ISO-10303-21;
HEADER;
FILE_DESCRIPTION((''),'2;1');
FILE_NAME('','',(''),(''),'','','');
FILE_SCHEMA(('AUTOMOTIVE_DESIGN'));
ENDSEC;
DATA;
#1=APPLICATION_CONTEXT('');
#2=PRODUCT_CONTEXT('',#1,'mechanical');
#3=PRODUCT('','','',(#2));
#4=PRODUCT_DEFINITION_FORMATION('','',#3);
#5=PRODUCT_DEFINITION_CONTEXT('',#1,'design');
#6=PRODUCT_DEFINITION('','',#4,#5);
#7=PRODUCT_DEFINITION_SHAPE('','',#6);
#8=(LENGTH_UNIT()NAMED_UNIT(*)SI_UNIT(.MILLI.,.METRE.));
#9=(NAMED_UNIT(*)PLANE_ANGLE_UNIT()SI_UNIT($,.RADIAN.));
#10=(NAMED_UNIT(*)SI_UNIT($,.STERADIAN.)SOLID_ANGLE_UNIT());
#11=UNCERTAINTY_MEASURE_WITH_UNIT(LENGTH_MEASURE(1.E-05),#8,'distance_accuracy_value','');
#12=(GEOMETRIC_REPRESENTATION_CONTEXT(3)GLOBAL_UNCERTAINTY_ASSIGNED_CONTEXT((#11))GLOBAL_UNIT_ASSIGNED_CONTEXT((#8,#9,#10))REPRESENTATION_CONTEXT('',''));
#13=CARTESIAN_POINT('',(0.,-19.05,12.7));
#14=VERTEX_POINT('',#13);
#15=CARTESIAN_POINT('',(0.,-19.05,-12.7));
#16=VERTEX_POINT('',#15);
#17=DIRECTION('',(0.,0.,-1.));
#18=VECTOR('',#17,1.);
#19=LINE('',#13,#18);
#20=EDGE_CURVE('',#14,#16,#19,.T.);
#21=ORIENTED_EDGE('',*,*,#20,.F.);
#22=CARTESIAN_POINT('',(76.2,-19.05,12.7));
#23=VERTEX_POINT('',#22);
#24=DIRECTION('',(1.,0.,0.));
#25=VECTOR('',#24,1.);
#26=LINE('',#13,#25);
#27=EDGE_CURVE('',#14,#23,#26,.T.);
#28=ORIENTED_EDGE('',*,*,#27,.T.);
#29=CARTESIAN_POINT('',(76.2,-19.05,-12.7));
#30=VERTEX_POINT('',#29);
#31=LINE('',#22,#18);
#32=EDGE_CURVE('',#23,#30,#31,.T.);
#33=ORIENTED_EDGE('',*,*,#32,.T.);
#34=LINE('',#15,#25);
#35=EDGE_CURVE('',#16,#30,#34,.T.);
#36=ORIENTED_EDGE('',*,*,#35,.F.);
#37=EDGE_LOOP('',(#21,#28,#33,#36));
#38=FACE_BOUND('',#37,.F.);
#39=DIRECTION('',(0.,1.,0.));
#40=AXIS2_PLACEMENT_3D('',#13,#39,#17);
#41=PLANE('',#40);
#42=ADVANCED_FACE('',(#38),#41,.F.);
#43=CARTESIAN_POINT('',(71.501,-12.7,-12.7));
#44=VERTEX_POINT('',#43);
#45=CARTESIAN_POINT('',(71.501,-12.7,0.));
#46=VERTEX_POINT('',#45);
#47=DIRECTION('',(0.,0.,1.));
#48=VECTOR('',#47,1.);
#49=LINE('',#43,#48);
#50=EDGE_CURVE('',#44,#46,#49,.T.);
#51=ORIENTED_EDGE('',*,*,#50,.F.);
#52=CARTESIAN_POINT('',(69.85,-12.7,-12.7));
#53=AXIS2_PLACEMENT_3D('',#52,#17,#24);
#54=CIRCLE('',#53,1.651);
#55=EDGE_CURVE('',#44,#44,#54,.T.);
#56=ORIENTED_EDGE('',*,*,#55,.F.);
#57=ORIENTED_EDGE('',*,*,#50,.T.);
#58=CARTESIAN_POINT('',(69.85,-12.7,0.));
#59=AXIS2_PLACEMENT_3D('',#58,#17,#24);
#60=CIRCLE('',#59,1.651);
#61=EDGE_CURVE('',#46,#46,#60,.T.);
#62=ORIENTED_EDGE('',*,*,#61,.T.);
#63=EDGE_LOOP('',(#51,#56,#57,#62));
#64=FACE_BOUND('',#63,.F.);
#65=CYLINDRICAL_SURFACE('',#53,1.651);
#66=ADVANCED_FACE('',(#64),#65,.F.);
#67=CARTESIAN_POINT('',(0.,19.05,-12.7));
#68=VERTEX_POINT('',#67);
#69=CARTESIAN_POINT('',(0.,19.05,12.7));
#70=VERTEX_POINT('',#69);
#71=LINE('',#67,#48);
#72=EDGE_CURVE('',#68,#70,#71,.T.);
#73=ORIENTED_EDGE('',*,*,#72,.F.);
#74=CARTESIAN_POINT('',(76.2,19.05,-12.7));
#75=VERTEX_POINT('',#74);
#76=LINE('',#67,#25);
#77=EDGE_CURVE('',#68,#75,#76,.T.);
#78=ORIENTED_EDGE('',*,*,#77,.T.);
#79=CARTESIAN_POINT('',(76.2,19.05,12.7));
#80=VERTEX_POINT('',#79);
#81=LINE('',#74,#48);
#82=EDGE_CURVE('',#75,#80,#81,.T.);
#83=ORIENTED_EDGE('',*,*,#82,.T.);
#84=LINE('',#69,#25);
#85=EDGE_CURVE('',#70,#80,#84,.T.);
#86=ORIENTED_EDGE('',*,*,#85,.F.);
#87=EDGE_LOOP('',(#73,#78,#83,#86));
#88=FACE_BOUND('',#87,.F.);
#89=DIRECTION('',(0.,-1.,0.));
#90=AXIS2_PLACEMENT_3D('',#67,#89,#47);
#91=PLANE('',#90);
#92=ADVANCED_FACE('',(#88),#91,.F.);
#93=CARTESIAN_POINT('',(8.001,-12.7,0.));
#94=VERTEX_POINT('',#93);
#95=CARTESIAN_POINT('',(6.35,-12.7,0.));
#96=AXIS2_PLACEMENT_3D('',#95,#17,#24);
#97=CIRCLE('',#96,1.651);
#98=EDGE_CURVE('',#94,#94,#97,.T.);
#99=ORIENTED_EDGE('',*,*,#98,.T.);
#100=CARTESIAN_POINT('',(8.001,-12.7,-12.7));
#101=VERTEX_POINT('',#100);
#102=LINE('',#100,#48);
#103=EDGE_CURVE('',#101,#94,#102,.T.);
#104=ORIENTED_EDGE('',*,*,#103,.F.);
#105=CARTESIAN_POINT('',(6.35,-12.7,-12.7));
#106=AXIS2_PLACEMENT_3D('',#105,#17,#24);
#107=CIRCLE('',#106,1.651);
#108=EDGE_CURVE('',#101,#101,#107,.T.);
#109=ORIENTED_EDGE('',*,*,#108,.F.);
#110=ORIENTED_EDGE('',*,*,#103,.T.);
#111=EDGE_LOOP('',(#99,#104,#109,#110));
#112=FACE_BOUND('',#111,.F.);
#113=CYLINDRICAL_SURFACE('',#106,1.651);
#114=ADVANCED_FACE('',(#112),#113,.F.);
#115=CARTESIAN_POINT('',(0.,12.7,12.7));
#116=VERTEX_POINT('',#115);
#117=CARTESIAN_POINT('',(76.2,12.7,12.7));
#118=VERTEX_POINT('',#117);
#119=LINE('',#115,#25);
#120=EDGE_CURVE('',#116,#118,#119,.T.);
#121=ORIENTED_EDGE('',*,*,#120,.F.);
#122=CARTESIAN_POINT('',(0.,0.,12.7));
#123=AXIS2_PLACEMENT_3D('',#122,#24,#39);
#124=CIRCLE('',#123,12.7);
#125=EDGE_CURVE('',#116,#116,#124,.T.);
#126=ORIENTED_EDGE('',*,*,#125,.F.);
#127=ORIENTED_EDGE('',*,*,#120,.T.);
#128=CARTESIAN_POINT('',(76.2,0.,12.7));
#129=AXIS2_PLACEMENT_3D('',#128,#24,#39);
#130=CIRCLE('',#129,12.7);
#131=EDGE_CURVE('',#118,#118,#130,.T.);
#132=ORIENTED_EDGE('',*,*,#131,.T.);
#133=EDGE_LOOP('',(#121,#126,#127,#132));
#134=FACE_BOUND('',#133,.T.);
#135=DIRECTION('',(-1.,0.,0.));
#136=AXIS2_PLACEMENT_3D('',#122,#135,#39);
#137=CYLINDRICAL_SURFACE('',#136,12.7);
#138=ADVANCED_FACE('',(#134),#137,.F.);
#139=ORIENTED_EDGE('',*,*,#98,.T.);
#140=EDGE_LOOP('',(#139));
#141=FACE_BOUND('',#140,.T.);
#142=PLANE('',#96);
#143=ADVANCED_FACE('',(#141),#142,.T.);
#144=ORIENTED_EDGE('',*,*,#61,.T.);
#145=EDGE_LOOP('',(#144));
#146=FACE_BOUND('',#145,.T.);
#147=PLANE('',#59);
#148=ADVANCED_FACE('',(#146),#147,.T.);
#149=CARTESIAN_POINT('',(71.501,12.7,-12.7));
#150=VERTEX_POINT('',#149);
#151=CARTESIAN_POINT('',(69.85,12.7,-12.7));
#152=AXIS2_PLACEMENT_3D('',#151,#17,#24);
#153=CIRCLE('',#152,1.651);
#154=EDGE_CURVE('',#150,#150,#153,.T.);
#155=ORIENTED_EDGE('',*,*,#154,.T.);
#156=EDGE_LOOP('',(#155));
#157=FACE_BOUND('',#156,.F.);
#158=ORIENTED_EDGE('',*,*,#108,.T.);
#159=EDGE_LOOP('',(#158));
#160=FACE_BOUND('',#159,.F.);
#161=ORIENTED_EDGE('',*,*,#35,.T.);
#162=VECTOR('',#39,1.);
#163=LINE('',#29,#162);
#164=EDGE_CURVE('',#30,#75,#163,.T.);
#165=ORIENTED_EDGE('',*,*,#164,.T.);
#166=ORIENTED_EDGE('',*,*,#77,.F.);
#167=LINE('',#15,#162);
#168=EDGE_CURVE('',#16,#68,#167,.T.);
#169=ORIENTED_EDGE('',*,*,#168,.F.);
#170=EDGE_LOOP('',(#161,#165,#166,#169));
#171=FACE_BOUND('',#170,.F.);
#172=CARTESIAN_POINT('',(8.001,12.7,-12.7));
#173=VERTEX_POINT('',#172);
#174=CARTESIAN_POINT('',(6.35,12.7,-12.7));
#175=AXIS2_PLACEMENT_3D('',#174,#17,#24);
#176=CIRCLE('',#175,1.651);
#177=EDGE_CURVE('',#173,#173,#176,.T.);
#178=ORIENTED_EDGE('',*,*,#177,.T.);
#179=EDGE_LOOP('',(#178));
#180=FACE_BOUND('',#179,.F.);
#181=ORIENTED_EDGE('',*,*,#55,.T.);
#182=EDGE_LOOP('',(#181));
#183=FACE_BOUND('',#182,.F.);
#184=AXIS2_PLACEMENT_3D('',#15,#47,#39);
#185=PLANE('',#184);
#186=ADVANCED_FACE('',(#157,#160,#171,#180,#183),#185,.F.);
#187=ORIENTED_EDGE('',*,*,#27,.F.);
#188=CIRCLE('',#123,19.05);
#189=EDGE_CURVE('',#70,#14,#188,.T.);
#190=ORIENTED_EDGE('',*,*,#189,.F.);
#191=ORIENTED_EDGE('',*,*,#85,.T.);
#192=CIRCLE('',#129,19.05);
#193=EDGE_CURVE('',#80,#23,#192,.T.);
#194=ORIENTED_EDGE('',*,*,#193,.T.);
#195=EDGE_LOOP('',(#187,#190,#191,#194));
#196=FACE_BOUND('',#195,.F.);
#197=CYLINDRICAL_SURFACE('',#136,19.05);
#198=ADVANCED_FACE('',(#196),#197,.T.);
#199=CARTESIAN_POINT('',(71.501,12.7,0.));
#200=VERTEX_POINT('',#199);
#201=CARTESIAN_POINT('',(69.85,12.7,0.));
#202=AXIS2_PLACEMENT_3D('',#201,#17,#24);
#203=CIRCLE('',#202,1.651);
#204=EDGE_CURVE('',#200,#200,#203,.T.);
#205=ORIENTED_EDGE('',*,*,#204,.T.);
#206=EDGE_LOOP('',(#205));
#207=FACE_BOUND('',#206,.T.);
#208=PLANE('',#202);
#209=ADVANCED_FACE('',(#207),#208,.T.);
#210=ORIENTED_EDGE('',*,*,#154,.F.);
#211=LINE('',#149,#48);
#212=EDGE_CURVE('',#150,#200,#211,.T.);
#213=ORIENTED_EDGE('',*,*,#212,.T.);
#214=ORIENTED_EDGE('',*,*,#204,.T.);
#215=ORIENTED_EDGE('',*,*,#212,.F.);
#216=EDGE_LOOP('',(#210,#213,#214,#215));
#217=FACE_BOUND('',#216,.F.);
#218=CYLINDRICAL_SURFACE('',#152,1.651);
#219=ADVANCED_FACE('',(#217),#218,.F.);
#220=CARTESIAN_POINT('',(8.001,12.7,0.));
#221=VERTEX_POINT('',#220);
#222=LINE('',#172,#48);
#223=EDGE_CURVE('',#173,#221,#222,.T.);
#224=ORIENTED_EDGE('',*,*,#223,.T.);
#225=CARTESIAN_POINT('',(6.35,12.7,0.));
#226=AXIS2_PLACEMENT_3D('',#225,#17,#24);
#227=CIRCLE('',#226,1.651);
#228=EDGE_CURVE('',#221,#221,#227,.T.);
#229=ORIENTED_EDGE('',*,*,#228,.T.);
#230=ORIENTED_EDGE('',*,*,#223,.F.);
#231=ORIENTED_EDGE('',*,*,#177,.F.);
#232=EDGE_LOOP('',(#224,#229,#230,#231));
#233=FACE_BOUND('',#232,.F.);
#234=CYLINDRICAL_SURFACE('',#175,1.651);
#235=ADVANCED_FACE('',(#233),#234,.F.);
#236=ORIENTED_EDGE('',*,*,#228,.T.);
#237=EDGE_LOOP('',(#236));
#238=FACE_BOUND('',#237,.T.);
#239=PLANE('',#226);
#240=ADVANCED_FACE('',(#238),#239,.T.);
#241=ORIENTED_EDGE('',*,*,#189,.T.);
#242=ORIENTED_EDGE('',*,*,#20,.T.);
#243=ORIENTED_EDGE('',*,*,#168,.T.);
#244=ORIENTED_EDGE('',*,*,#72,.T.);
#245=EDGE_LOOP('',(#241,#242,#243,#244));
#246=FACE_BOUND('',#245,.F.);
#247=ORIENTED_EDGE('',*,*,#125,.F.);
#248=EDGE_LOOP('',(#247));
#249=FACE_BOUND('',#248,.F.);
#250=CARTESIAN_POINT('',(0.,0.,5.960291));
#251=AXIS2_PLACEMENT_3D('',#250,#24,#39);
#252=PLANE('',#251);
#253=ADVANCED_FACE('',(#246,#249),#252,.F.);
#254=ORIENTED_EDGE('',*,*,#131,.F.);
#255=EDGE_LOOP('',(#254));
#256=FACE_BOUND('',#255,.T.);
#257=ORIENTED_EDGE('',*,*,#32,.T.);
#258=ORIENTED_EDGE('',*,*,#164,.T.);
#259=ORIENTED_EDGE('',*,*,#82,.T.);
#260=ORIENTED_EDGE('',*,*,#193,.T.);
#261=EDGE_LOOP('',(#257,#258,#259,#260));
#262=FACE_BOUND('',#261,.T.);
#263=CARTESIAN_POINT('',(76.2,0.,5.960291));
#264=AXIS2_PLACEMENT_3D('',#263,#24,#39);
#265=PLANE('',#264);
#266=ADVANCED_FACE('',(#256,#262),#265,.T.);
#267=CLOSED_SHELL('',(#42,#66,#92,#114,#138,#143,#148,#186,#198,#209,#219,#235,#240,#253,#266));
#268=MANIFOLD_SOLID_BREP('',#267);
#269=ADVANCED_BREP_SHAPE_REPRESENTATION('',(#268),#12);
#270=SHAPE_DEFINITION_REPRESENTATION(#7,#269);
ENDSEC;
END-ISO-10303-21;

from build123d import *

# Parameters (mm, degrees)
F0_R     = 12.7
F1_DEPTH = 76.2
F2_R     = 1.651
F3_DEPTH = 12.7


with BuildPart() as f1:
    # F0 (on Right) → F1 (new body)
    with BuildSketch(Plane.YZ):
        with BuildLine():
            Line((-19.05, 12.7), (-19.05, -12.7))
            Line((-19.05, -12.7), (19.05, -12.7))
            Line((19.05, -12.7), (19.05, 12.7))
            ThreePointArc((19.05, 12.7), (0, 31.75), (-19.05, 12.7))
        make_face()
        with Locations((0, 12.7)):
            Circle(F0_R, mode=Mode.SUBTRACT)
    extrude(amount=F1_DEPTH)

    # F2 (on face) → F3 (cut)
    with BuildSketch(Plane(origin=(0, 0, -12.7), x_dir=(1, 0, 0), z_dir=(0, 0, -1))):
        with Locations((6.35, 12.7)):
            Circle(F2_R)
        with Locations((6.35, -12.7)):
            Circle(F2_R)
        with Locations((69.85, -12.7)):
            Circle(F2_R)
        with Locations((69.85, 12.7)):
            Circle(F2_R)
    extrude(amount=-F3_DEPTH, mode=Mode.SUBTRACT)


solid = f1.part
